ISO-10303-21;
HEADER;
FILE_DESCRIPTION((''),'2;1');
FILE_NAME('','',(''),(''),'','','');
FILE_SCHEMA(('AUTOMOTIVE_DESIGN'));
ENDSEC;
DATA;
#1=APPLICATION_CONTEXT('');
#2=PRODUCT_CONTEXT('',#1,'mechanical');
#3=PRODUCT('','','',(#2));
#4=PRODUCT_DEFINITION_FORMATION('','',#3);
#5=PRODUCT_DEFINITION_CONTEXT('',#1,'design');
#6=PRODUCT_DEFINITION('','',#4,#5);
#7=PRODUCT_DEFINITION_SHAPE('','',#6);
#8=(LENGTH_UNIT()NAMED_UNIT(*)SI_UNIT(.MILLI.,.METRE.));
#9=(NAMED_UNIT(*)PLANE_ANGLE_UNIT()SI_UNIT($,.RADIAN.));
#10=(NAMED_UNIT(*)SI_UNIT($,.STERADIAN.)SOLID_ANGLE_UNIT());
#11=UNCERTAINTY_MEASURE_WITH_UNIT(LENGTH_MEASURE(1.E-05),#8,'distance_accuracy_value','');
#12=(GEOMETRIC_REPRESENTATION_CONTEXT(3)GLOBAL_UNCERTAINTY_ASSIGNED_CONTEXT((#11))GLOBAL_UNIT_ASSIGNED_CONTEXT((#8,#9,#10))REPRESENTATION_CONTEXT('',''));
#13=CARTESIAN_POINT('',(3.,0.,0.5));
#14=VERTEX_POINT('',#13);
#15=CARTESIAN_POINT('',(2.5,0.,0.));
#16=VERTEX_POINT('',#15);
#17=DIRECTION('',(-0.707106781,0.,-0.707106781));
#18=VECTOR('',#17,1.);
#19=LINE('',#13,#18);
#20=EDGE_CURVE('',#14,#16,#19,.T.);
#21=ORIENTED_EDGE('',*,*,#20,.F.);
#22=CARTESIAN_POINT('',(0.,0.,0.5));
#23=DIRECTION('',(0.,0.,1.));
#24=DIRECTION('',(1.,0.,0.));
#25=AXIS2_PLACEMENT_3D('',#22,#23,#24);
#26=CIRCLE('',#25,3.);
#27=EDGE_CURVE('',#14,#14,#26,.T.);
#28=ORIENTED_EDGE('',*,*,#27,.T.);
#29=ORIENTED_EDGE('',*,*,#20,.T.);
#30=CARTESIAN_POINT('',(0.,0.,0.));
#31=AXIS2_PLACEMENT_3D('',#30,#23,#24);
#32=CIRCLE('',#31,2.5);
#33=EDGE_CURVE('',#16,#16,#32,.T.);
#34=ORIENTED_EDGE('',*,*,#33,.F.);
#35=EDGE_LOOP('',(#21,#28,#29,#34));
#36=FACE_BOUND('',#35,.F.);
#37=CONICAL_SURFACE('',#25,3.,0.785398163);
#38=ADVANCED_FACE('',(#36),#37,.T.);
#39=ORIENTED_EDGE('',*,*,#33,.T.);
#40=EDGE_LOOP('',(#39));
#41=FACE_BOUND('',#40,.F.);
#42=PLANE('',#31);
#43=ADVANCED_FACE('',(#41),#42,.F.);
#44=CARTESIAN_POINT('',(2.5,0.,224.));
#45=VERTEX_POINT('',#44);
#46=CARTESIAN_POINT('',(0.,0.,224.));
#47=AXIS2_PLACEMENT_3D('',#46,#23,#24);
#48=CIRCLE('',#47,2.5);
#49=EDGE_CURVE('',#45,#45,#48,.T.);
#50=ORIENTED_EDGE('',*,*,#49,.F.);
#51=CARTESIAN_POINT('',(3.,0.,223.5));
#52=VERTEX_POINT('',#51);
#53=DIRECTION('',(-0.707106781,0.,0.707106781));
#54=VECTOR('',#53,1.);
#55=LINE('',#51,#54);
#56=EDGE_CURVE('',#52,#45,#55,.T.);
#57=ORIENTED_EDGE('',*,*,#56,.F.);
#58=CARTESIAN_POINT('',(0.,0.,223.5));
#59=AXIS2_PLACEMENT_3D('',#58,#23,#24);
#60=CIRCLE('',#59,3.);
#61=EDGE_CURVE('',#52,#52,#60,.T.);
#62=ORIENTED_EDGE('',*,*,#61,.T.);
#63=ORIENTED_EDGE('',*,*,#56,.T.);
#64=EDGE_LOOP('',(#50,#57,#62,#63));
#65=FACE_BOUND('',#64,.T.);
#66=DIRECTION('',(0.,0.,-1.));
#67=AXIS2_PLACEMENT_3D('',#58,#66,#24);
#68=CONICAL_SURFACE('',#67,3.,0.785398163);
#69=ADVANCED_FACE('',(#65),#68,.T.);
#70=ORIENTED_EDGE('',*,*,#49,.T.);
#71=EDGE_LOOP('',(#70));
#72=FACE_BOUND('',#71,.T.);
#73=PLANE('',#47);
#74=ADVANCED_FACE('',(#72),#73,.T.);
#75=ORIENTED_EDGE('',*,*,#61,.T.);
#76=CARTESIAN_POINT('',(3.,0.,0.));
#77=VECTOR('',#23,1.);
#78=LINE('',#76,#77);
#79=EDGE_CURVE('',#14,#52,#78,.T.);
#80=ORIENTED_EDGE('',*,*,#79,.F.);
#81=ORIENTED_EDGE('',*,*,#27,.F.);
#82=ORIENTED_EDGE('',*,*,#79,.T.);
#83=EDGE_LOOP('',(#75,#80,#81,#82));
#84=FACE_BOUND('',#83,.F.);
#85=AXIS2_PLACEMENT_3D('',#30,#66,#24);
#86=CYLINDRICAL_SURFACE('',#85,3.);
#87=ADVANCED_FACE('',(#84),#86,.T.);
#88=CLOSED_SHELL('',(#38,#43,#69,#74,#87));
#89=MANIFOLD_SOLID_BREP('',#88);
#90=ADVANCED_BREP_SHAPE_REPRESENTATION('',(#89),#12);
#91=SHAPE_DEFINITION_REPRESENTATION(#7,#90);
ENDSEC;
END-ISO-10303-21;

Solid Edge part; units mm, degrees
sketch "Sketch1" plane through (0, 0, 0) normal (0, 0, 1) x (1, 0, 0)
  circle A0 centre (0, 0) radius 3
  dimension "D1" = 6
extrude "Protrusion1" add sketch "Sketch1" along normal blind 224
chamfer "Chamfer_1" distance 0.5 angle 45 2 edges at (-3, 0, 0) (-3, 0, 224)
properties material "Steel"
